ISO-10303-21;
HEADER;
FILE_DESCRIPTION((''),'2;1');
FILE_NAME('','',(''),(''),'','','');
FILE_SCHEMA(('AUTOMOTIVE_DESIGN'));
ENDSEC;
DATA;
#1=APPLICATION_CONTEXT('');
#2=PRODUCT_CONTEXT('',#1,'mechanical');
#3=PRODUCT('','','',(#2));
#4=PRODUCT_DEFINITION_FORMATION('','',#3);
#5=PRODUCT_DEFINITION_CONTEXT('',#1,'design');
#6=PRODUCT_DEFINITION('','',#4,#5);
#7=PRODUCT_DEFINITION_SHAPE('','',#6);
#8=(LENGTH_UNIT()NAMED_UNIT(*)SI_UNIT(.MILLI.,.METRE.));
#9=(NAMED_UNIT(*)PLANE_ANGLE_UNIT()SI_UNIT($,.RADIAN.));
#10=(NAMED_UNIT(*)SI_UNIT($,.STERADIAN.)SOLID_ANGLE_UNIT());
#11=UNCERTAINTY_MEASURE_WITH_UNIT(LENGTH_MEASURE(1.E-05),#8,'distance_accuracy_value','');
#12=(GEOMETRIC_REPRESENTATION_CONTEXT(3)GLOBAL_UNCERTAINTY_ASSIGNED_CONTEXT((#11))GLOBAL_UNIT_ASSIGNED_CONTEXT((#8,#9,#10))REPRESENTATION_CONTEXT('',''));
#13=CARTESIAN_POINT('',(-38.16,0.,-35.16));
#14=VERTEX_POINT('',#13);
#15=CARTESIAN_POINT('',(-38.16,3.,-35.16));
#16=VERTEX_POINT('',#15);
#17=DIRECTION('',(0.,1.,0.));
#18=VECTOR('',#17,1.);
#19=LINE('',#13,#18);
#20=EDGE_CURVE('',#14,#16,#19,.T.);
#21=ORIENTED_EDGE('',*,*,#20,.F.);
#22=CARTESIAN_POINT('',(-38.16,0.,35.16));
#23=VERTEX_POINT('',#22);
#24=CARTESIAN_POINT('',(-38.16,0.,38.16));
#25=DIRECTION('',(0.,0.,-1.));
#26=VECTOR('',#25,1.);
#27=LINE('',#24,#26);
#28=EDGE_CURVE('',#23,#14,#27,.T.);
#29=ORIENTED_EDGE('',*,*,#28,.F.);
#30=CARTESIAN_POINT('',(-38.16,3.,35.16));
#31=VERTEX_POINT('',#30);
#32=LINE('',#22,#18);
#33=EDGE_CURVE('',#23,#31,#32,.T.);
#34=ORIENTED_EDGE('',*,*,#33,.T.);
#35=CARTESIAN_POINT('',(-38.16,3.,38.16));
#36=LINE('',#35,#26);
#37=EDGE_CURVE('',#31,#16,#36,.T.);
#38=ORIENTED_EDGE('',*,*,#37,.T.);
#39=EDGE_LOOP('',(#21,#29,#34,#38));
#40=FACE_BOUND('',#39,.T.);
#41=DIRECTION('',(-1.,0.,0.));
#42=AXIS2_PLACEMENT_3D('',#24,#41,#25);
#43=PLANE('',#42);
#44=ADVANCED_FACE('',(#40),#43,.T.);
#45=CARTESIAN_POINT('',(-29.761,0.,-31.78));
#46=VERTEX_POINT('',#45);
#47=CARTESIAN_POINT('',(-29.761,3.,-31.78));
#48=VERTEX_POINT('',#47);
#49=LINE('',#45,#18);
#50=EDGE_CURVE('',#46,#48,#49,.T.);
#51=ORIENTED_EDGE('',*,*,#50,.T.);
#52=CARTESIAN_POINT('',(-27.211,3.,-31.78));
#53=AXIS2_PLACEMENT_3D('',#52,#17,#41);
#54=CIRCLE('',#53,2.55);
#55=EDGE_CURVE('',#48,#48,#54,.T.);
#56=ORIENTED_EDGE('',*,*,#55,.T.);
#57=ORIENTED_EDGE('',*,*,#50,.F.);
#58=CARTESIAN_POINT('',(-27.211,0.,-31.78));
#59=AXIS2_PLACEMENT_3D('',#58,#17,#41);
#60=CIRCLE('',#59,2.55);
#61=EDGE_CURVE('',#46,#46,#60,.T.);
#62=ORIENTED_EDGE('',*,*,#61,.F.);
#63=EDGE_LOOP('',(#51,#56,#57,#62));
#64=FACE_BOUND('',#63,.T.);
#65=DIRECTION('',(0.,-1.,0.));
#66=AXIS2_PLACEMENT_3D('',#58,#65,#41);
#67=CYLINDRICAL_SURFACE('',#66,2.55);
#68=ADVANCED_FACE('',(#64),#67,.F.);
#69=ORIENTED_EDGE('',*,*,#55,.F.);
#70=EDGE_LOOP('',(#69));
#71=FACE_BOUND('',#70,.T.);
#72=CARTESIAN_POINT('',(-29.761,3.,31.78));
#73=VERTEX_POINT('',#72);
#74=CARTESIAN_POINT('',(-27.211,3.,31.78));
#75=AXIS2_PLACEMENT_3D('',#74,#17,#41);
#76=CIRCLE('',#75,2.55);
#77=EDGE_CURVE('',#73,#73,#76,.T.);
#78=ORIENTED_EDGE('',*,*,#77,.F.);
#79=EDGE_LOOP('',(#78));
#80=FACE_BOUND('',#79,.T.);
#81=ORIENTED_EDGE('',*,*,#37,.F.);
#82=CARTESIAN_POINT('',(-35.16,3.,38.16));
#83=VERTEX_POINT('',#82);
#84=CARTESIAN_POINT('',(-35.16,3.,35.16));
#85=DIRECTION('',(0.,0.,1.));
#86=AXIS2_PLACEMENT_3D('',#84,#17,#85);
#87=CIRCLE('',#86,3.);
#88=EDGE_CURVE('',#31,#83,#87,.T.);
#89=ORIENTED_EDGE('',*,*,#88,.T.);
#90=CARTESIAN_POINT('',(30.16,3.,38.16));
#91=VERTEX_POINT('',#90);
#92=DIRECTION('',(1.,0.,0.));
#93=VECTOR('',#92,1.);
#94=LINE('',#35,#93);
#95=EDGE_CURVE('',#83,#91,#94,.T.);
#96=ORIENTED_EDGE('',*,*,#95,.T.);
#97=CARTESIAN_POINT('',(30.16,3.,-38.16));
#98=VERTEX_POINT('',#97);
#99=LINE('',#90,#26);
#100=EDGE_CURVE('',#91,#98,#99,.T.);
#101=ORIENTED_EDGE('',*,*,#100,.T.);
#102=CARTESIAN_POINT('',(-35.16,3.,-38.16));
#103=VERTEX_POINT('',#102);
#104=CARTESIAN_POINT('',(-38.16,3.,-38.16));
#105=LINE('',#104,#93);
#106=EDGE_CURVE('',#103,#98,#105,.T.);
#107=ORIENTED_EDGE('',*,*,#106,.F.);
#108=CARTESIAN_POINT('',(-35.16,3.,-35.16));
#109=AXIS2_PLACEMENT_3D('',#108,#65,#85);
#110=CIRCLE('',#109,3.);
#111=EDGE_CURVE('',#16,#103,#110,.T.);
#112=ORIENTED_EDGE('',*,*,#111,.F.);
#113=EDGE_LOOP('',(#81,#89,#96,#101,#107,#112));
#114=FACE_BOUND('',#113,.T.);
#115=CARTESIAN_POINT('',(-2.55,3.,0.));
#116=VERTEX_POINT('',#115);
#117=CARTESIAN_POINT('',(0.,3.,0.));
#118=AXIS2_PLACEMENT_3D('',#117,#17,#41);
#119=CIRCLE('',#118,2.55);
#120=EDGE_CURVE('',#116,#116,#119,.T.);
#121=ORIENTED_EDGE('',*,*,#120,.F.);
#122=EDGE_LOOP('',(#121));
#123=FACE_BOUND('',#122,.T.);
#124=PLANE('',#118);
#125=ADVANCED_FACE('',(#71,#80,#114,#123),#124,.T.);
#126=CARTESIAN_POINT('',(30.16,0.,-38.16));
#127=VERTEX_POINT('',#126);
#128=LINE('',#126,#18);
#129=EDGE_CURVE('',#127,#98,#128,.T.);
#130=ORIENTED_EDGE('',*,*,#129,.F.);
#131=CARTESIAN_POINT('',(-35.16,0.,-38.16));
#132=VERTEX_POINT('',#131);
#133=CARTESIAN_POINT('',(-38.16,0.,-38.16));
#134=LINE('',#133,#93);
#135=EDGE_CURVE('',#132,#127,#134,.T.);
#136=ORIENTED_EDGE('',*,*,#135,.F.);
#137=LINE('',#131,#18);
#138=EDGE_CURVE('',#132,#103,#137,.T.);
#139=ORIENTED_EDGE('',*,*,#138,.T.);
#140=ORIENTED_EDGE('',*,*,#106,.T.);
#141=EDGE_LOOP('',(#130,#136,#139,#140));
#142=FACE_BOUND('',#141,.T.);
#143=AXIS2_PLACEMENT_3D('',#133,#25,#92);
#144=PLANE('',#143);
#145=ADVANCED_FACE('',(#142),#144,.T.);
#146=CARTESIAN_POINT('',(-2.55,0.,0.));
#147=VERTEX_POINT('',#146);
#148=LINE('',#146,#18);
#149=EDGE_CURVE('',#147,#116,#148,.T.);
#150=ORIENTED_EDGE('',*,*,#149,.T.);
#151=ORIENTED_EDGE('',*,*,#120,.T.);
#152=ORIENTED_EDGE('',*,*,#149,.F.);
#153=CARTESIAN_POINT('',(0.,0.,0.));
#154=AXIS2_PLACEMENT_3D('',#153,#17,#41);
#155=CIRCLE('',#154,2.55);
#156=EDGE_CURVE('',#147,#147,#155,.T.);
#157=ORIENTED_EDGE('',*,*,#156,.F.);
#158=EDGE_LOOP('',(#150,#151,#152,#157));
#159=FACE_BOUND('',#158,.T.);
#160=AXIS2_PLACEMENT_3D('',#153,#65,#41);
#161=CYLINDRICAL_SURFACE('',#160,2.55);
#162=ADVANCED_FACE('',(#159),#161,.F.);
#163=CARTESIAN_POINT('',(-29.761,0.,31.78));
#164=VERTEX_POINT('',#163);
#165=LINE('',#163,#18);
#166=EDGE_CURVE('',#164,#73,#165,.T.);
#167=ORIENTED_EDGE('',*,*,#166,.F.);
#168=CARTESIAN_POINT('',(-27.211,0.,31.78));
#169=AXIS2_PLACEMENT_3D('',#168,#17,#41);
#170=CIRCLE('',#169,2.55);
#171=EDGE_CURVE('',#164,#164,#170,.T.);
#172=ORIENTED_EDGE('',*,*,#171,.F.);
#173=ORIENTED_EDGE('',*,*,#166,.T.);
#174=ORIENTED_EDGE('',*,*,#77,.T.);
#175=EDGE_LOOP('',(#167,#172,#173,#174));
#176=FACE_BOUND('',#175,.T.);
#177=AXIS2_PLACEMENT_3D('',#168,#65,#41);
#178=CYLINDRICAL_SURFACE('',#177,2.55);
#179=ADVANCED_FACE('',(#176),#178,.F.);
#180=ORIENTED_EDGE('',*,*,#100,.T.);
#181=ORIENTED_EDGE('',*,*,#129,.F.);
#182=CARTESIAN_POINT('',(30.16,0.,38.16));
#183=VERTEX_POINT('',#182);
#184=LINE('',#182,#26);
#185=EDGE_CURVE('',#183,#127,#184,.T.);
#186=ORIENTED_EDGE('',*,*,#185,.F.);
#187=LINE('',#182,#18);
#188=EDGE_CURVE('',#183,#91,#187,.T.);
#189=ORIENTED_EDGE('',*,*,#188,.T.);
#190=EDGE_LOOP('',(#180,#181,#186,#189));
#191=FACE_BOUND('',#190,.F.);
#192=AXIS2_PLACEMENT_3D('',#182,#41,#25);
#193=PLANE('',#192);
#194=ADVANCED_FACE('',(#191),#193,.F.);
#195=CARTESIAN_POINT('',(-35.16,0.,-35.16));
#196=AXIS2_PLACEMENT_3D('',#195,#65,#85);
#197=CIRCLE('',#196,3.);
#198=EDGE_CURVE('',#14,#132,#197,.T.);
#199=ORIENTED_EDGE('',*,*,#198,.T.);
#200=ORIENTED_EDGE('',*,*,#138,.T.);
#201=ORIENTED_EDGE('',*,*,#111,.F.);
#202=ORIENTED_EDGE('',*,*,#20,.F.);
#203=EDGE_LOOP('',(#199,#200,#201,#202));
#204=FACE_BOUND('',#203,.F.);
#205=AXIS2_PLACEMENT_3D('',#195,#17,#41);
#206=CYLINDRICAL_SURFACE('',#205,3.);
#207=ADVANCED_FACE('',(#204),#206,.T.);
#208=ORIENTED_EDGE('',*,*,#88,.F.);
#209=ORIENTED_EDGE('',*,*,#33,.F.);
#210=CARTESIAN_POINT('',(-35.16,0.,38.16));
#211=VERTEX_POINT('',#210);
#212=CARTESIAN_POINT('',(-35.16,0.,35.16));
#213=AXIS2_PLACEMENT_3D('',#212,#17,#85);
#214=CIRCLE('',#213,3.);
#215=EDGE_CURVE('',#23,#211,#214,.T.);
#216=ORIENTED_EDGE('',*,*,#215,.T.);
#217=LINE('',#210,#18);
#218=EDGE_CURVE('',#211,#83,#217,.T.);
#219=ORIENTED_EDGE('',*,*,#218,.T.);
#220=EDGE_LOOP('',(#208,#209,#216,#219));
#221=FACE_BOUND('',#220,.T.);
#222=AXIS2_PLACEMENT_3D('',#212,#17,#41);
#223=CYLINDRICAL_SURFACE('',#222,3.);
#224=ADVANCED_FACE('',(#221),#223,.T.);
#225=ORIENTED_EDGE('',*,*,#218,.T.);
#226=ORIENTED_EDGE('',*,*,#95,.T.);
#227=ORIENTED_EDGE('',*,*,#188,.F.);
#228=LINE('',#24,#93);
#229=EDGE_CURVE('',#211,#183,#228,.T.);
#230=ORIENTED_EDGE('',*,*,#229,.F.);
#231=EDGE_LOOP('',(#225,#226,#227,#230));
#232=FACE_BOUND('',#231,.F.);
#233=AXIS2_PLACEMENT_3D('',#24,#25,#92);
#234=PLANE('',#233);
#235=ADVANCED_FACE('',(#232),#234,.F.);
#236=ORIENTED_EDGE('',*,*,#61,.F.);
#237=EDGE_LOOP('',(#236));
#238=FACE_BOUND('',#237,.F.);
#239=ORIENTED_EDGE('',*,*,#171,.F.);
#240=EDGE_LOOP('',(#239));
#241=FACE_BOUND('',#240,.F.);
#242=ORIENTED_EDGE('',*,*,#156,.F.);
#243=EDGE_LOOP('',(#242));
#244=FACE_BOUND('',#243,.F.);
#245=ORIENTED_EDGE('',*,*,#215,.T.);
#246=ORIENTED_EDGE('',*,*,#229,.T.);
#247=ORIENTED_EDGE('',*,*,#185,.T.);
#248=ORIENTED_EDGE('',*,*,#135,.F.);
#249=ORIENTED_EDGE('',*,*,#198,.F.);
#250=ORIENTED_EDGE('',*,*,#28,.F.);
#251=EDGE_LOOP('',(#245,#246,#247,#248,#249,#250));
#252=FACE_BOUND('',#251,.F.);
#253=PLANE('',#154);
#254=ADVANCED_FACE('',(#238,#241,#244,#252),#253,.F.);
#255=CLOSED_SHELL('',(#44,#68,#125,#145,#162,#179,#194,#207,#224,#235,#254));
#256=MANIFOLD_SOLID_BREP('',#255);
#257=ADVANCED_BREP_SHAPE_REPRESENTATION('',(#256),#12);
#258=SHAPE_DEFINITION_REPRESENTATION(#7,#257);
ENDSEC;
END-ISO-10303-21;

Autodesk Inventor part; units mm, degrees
ref_plane "YZ Plane" through (0, 0, 0) normal (1, 0, 0) x (0, 1, 0)
ref_plane "XZ Plane" through (0, 0, 0) normal (0, 1, 0) x (-1, 0, 0)
ref_plane "XY Plane" through (0, 0, 0) normal (0, 0, 1) x (1, 0, 0)
sketch "Sketch2" plane through (0, 0, 0) normal (0, 1, 0) x (-1, 0, 0)
  circle A0 centre (0, 0) radius 30.16 construction
  line L0 (0, 0) -> (38.16, 0) construction
  line L1 (38.16, 38.16) -> (38.16, -38.16)
  line L2 (38.16, 38.16) -> (-30.16, 38.16)
  line L3 (38.16, -38.16) -> (-30.16, -38.16)
  circle A1 centre (27.211, 31.78) radius 2.55
  circle A2 centre (27.211, -31.78) radius 2.55
  circle A3 centre (0, 0) radius 2.55
  line L4 (-30.16, 38.16) -> (-30.16, -38.16)
  dimension "d12" = 60.32
  dimension "d13" = 38.16
  dimension "d14" = 76.32
  dimension "d15" = 5.1
  dimension "d17" = 6.38
  dimension "d18" = 10.949
  dimension "d19" = 5.1
extrude "Extrusion2" add sketch "Sketch2" along normal blind 3
fillet "Fillet2" radius 3 2 edges at (-38.16, 1.5, 38.16) (-38.16, 1.5, -38.16)
properties part number "Tapa" material "PMMA Plastic"
